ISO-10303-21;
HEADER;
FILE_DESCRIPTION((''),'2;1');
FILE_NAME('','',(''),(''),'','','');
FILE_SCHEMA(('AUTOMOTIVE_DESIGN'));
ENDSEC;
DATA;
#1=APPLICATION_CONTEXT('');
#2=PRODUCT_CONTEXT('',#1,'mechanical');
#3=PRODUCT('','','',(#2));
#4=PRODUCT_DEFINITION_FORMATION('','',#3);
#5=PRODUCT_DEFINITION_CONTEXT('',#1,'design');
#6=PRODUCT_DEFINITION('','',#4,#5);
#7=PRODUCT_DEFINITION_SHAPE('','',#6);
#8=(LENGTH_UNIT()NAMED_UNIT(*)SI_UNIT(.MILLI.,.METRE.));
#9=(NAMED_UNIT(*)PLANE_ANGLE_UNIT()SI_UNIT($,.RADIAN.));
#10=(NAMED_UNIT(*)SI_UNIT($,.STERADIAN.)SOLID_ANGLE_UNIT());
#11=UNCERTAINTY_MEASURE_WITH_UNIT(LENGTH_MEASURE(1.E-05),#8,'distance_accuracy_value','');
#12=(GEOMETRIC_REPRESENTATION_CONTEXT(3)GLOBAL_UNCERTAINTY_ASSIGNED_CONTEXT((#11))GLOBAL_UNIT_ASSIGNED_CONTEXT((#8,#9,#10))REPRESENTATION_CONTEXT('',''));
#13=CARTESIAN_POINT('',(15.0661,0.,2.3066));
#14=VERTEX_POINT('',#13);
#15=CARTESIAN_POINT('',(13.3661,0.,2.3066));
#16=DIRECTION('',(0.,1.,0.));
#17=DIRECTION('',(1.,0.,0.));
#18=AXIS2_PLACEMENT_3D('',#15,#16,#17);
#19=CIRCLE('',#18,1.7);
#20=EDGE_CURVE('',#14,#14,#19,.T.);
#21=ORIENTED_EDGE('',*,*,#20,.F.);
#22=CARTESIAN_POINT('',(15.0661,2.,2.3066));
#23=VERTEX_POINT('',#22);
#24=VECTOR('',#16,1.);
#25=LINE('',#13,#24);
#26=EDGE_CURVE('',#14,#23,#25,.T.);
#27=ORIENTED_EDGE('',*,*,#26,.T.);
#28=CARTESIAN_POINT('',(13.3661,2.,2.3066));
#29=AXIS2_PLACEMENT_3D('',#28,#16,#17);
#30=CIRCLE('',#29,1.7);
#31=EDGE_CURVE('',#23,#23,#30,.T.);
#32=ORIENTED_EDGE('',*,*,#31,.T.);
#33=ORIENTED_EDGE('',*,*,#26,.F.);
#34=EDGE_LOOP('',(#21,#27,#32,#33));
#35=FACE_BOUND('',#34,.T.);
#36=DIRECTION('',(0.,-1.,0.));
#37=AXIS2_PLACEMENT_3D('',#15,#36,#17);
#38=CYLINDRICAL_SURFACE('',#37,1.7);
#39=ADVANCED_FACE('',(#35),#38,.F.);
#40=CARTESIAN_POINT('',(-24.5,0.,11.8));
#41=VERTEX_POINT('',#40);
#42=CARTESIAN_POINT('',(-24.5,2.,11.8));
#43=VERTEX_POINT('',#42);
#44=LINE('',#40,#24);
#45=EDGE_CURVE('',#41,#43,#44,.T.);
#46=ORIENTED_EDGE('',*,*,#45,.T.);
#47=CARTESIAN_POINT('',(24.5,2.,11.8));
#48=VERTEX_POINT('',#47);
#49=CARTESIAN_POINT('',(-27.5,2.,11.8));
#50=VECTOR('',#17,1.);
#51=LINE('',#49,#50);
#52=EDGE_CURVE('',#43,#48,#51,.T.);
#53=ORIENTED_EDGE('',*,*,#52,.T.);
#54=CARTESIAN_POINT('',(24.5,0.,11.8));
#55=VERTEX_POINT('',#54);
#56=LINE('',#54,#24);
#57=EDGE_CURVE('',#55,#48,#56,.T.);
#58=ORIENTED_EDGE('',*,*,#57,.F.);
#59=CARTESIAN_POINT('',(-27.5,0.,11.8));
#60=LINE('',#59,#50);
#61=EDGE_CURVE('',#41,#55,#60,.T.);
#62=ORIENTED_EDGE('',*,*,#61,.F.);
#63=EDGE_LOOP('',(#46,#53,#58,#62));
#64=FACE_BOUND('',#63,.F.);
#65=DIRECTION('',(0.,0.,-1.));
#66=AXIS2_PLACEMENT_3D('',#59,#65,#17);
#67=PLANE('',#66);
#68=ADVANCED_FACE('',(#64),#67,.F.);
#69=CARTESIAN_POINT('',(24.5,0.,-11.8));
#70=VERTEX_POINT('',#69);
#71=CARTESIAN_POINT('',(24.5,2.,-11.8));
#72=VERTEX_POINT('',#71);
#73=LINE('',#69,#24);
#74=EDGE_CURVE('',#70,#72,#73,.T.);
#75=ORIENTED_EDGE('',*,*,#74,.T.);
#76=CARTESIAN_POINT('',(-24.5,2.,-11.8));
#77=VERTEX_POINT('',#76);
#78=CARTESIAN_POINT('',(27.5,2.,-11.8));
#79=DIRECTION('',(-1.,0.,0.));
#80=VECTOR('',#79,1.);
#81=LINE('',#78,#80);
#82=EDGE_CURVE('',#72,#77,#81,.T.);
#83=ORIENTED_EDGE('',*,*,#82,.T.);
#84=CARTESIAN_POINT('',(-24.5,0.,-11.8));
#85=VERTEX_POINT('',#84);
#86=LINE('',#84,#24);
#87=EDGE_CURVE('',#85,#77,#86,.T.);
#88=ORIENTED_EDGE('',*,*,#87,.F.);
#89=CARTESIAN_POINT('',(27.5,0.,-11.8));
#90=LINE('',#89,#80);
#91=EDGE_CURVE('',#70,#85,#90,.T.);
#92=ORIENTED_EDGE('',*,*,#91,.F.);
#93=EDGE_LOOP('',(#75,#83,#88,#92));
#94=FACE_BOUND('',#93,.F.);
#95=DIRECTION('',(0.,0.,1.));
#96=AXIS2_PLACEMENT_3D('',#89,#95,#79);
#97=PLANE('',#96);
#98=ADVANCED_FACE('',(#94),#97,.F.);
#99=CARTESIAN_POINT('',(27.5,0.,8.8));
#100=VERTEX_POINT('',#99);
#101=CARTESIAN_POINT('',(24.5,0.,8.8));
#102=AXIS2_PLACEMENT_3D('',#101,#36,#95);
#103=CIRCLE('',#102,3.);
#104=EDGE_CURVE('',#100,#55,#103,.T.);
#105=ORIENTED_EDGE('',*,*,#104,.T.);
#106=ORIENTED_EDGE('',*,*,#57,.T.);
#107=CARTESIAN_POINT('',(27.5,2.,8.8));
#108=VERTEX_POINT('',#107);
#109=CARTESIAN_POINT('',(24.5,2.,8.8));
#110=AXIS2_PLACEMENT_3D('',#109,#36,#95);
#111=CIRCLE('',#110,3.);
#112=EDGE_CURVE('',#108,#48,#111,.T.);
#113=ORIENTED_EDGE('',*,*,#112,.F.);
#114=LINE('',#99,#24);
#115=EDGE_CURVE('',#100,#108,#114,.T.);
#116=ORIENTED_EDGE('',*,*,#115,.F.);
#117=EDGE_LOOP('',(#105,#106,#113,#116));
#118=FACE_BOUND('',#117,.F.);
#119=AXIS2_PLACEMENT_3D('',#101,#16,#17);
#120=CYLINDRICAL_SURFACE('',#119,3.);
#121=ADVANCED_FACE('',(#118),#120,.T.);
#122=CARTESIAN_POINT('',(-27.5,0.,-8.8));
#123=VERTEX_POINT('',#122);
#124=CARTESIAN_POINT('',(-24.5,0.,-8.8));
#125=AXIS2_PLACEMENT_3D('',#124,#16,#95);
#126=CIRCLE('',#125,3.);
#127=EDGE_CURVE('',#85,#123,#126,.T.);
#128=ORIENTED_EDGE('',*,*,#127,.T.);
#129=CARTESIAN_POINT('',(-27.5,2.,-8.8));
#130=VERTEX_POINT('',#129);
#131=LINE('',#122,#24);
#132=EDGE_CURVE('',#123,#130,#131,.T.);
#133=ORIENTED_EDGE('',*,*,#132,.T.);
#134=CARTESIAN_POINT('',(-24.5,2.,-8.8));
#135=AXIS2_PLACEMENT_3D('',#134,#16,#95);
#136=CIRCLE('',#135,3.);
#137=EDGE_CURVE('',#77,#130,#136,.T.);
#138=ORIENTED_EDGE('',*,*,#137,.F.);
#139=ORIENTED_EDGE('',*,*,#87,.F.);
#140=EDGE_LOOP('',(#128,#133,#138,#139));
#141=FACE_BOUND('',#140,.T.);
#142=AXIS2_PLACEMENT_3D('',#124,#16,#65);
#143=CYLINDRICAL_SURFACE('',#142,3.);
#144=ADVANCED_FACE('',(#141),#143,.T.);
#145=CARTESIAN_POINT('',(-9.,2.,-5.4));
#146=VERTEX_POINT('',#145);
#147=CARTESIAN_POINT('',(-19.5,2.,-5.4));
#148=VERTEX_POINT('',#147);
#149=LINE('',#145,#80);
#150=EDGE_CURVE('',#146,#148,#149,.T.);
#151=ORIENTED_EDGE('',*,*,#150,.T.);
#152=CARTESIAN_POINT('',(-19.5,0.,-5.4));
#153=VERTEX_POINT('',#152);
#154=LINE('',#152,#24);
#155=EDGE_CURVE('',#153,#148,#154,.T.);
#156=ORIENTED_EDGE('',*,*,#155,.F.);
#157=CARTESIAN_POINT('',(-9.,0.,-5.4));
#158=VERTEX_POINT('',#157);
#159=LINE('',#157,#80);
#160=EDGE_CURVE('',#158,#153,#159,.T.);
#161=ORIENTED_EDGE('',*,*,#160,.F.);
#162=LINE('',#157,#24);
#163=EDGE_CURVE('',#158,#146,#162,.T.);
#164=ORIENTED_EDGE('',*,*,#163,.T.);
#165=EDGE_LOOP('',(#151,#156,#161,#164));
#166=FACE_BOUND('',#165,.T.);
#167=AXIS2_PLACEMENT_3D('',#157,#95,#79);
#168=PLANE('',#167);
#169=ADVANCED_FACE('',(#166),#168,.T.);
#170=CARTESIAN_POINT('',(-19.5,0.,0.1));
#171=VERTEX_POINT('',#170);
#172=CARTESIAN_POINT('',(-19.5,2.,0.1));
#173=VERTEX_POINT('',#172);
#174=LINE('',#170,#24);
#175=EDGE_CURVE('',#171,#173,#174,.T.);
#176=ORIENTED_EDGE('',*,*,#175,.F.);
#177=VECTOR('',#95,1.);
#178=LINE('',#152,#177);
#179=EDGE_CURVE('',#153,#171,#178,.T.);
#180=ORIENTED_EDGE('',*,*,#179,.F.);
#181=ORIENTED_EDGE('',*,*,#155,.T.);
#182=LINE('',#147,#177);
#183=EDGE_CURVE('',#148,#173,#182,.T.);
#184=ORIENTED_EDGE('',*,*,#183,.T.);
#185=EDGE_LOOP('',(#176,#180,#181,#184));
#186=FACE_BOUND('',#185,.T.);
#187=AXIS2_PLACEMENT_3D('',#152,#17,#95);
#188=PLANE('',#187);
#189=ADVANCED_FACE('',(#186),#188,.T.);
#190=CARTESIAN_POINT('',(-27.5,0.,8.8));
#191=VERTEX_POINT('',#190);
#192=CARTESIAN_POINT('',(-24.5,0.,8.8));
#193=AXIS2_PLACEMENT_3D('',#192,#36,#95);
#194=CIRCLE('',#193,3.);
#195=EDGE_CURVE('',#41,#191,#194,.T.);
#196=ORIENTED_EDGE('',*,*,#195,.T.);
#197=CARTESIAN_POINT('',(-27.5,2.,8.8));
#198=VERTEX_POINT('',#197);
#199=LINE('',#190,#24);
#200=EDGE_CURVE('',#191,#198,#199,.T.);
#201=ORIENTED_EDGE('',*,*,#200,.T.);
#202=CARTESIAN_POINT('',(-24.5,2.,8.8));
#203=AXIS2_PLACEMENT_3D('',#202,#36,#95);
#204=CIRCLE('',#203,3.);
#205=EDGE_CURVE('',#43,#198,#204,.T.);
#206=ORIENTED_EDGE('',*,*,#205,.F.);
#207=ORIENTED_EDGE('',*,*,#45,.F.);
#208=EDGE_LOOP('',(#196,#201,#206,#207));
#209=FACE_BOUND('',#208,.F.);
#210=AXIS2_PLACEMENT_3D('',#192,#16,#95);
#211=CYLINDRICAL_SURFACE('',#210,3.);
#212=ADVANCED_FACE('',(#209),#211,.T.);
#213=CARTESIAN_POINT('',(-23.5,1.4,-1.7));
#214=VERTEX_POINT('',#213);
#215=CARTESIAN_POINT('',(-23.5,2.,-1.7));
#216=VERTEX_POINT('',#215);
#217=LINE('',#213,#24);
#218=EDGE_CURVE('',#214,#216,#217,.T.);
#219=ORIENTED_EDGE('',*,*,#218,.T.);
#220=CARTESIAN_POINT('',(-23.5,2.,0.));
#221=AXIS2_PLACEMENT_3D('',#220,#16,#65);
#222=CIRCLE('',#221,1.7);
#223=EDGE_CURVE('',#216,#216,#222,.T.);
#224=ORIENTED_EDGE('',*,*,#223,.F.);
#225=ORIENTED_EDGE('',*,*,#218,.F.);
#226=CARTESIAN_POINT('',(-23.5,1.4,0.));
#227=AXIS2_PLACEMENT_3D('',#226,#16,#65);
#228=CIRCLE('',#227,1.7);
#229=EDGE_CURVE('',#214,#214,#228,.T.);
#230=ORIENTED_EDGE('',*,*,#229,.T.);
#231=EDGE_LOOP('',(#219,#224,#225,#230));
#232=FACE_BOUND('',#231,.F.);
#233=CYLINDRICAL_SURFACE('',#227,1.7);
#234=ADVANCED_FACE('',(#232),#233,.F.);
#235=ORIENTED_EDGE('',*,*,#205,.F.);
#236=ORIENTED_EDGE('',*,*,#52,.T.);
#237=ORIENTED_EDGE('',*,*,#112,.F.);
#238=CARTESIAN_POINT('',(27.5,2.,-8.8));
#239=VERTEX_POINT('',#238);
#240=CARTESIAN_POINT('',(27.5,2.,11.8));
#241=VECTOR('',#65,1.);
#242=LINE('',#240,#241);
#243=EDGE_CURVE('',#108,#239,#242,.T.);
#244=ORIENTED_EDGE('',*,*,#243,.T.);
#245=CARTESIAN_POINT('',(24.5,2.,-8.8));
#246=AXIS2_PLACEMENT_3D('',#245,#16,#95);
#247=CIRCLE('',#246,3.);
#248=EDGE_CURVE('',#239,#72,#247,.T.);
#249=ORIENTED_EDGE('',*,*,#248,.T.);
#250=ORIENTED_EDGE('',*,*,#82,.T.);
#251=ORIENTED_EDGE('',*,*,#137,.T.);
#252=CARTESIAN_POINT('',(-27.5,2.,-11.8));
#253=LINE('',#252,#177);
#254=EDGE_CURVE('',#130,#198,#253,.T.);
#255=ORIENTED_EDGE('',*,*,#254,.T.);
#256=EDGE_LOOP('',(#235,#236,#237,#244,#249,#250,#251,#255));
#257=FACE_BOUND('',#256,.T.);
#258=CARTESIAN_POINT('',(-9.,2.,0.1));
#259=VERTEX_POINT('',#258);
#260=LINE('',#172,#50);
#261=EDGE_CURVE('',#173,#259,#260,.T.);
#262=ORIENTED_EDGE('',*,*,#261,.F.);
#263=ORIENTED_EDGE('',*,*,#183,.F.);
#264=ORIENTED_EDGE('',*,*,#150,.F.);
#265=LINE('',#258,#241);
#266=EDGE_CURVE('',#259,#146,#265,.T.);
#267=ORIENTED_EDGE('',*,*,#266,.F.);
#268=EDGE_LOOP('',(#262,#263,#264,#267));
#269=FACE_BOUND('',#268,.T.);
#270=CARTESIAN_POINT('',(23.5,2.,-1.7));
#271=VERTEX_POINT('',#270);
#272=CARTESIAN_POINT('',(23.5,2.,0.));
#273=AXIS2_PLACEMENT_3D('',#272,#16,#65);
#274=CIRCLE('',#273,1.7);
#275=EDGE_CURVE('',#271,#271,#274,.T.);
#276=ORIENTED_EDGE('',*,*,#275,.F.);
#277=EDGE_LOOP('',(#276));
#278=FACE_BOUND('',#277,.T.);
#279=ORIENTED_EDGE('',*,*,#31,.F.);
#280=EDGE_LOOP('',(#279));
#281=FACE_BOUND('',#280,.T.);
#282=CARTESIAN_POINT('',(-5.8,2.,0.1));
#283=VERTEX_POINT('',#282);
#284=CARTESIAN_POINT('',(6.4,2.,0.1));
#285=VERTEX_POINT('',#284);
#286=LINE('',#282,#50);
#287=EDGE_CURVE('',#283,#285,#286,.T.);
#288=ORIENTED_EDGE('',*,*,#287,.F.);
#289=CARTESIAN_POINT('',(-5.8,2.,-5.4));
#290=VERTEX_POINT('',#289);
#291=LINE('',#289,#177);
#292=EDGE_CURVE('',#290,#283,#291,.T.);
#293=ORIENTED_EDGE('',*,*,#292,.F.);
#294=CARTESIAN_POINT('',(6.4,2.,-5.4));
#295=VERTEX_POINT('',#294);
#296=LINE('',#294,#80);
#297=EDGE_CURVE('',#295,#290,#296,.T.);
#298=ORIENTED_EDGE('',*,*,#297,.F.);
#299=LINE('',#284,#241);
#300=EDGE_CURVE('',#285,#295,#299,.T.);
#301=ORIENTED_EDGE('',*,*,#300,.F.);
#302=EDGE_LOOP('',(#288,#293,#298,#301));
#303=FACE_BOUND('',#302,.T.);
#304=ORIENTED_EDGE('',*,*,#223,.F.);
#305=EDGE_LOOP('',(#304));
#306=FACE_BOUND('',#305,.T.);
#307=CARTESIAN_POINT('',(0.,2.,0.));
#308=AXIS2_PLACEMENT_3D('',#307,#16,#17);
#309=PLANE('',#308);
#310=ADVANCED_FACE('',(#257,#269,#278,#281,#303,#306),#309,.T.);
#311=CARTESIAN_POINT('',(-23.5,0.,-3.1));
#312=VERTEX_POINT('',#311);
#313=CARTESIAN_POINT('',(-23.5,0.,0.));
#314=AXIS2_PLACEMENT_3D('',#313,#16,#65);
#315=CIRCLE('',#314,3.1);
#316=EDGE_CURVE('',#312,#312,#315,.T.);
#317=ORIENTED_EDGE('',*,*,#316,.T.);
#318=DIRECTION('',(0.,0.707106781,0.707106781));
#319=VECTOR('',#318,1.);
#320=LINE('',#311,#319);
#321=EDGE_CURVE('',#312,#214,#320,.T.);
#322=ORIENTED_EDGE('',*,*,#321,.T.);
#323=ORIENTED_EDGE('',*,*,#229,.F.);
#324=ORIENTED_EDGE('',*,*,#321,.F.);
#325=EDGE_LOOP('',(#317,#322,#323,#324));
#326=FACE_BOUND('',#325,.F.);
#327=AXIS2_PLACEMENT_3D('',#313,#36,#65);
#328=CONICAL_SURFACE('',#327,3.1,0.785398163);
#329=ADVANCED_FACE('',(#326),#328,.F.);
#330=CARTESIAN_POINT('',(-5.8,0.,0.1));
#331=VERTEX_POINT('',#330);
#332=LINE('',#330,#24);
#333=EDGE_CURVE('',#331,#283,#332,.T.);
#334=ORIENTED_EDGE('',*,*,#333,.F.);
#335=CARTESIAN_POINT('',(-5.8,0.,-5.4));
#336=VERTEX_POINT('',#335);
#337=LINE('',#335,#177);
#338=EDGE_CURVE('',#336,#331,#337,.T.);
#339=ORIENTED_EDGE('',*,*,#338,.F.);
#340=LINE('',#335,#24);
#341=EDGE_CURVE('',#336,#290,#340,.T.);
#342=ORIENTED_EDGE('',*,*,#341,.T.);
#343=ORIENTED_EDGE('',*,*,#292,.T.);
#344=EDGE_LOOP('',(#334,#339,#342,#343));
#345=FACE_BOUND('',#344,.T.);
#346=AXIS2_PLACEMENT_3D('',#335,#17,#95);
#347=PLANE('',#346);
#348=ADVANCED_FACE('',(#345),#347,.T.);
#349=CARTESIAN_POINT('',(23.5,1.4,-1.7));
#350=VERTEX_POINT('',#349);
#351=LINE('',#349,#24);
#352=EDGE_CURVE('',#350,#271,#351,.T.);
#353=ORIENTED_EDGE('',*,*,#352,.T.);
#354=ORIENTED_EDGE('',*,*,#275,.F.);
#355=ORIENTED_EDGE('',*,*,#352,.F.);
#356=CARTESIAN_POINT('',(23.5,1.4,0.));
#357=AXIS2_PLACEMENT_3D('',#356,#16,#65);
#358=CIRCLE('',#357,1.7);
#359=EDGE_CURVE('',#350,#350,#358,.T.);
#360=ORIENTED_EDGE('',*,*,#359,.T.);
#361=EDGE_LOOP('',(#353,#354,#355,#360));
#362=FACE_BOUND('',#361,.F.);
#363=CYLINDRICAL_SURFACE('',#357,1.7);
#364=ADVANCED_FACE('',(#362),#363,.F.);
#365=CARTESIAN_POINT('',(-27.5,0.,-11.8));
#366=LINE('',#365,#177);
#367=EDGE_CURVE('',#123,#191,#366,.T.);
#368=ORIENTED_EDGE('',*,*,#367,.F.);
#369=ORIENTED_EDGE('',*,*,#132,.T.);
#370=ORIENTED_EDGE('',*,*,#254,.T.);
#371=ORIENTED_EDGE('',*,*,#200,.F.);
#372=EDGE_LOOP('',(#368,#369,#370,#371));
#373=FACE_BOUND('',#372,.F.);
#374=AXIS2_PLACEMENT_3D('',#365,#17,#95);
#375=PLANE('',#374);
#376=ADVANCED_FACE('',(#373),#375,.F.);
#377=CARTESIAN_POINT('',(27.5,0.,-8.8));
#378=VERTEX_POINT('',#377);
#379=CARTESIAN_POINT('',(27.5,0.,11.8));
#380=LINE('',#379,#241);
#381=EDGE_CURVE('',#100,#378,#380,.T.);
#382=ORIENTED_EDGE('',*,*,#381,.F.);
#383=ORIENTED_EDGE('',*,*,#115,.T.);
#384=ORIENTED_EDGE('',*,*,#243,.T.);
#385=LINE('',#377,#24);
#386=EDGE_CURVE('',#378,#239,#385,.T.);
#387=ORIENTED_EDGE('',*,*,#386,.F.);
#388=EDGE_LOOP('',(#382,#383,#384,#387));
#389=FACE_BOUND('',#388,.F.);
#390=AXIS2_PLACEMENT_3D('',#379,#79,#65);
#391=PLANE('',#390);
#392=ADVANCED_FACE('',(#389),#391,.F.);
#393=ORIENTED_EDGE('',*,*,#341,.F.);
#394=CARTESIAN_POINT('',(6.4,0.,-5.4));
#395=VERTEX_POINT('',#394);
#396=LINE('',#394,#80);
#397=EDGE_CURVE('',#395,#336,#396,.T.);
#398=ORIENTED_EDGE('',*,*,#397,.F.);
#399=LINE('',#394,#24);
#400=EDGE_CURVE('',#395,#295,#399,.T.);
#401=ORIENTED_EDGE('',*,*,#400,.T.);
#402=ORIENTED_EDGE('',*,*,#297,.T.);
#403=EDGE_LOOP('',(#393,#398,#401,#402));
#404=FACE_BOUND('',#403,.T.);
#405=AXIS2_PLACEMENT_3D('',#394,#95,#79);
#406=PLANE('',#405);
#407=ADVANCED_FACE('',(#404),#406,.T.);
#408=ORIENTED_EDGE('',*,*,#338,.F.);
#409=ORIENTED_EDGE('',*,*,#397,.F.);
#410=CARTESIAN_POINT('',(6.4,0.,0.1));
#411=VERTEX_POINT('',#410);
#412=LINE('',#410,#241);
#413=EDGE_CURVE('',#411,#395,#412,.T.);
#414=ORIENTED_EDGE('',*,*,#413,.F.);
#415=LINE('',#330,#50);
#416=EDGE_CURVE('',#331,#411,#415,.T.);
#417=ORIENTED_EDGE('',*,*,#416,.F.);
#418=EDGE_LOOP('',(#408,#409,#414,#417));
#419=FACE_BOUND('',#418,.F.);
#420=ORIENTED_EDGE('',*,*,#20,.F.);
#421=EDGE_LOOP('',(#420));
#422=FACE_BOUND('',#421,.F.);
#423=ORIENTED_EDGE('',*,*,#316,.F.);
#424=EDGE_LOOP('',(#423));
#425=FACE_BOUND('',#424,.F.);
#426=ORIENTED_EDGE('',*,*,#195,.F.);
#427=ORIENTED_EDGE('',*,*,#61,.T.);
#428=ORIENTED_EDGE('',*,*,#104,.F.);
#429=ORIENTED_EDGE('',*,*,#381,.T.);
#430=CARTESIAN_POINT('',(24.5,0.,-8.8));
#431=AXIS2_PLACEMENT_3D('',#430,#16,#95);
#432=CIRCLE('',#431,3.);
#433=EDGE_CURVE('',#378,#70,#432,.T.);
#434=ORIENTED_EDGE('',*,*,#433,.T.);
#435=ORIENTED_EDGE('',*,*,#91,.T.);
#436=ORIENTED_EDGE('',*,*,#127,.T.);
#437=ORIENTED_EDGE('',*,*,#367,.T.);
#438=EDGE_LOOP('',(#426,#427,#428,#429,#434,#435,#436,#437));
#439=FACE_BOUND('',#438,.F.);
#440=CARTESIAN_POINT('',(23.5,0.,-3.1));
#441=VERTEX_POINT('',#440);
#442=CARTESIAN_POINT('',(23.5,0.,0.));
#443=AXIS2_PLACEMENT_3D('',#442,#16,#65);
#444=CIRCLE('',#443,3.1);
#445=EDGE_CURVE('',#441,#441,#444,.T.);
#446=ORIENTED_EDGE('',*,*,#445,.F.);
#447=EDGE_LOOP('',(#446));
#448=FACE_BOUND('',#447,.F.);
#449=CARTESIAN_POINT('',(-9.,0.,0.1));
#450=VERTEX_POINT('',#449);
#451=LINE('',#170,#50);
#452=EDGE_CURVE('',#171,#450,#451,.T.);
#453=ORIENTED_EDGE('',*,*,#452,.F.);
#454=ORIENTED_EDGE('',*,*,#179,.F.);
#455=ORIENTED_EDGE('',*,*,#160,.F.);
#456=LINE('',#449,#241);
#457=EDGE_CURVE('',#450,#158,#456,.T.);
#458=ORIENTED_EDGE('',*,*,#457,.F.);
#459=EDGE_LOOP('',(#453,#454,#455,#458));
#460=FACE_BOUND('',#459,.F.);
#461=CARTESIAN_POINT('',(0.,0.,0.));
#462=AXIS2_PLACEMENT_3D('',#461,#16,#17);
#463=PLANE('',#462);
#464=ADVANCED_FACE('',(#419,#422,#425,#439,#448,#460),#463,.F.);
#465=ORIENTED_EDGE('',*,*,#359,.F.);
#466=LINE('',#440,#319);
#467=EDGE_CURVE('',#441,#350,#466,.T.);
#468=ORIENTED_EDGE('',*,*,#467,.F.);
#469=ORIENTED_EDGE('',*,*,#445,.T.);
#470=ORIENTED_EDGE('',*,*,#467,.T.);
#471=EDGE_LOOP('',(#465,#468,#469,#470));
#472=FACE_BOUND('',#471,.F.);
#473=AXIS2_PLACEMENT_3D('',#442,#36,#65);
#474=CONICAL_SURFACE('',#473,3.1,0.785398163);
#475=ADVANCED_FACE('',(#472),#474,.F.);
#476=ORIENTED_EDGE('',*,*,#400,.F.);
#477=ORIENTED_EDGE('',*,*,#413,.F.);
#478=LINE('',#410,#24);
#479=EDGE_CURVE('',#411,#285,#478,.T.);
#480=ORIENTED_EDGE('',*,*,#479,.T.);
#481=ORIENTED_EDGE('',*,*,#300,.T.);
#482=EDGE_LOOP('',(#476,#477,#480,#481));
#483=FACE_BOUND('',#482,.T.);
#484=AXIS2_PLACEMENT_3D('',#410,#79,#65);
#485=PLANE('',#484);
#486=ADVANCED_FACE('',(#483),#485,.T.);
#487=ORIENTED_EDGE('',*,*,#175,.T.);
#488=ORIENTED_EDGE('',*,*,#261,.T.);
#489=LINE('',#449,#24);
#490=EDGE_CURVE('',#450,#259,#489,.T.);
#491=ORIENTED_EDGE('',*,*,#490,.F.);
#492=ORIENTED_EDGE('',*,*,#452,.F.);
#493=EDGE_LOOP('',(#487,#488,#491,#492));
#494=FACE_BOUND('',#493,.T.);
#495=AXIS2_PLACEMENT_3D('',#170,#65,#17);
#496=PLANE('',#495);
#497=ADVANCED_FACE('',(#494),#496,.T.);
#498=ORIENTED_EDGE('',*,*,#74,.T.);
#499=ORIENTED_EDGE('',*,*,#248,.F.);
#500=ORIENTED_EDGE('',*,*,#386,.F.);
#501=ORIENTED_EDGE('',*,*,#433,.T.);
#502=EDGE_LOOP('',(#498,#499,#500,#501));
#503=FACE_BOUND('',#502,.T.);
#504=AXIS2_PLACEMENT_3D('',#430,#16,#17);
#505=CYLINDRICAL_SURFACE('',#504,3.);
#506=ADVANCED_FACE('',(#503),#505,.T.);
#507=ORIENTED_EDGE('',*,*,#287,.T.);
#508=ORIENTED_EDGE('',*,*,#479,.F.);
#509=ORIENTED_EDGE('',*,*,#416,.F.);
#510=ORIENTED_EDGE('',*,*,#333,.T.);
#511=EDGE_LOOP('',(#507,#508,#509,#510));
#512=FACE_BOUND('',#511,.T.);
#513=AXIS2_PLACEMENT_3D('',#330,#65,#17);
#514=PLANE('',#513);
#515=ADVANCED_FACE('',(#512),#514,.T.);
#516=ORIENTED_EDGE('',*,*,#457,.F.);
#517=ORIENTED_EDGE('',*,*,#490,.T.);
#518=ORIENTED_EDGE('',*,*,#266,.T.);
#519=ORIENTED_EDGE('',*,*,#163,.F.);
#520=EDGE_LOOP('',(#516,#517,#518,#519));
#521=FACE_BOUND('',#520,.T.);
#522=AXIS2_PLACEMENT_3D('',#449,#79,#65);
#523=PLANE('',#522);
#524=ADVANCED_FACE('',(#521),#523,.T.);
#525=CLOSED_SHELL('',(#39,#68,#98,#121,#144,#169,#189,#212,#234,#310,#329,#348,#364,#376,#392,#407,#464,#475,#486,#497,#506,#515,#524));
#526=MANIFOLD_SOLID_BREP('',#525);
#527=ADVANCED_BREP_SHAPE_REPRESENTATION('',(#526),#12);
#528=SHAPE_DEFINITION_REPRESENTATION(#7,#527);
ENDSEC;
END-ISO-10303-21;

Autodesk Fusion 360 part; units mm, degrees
sketch "Skizze1" plane through (0, 0, 0) normal (0, 1, 0) x (1, 0, 0)
  line L0 (27.5, 11.8) -> (-27.5, 11.8)
  line L1 (-27.5, 11.8) -> (-27.5, -11.8)
  line L2 (-27.5, -11.8) -> (27.5, -11.8)
  line L3 (27.5, -11.8) -> (27.5, 11.8)
  line L4 (27.5, 11.8) -> (-27.5, -11.8) construction
  line L5 (-27.5, 11.8) -> (27.5, -11.8) construction
  line L6 (-19.5, -0.1) -> (-9, -0.1)
  line L7 (-9, -0.1) -> (-9, 5.4)
  line L8 (-9, 5.4) -> (-19.5, 5.4)
  line L9 (-19.5, 5.4) -> (-19.5, -0.1)
  line L10 (-5.8, -0.1) -> (6.4, -0.1)
  line L11 (6.4, -0.1) -> (6.4, 5.4)
  line L12 (6.4, 5.4) -> (-5.8, 5.4)
  line L13 (-5.8, 5.4) -> (-5.8, -0.1)
  circle A0 centre (13.3661, -2.3066) radius 1.7
  point P0 (-27.5, 0)
  point P1 (-23.5, 0)
  point P2 (23.5, 0)
  dimension "d1" = 55
  dimension "d2" = 23.6
  dimension "d3" = 10.5
  dimension "d4" = 5.5
  dimension "d5" = 5.5
  dimension "d6" = 12.2
  dimension "d7" = 3.2
  dimension "d8" = 6.4
  dimension "d9" = 8
  dimension "d10" = 3.4
  dimension "d17" = 47
  dimension "d18" = 23.5
extrude "Extrusion1" add sketch "Skizze1" along normal blind 2
hole "Bohrung1" at (23.5, 0, 0) at (-23.5, 0, 0) direction (0, 1, 0) diameter 3.4 end through all countersink diameter 6.2 countersink angle 90
fillet "Abrundung1" radius 3 4 edges at (27.5, 1, 11.8) (-27.5, 1, 11.8) (-27.5, 1, -11.8) (27.5, 1, -11.8)
equation "d5 = d4"
equation "d18 = d17 / 2"
